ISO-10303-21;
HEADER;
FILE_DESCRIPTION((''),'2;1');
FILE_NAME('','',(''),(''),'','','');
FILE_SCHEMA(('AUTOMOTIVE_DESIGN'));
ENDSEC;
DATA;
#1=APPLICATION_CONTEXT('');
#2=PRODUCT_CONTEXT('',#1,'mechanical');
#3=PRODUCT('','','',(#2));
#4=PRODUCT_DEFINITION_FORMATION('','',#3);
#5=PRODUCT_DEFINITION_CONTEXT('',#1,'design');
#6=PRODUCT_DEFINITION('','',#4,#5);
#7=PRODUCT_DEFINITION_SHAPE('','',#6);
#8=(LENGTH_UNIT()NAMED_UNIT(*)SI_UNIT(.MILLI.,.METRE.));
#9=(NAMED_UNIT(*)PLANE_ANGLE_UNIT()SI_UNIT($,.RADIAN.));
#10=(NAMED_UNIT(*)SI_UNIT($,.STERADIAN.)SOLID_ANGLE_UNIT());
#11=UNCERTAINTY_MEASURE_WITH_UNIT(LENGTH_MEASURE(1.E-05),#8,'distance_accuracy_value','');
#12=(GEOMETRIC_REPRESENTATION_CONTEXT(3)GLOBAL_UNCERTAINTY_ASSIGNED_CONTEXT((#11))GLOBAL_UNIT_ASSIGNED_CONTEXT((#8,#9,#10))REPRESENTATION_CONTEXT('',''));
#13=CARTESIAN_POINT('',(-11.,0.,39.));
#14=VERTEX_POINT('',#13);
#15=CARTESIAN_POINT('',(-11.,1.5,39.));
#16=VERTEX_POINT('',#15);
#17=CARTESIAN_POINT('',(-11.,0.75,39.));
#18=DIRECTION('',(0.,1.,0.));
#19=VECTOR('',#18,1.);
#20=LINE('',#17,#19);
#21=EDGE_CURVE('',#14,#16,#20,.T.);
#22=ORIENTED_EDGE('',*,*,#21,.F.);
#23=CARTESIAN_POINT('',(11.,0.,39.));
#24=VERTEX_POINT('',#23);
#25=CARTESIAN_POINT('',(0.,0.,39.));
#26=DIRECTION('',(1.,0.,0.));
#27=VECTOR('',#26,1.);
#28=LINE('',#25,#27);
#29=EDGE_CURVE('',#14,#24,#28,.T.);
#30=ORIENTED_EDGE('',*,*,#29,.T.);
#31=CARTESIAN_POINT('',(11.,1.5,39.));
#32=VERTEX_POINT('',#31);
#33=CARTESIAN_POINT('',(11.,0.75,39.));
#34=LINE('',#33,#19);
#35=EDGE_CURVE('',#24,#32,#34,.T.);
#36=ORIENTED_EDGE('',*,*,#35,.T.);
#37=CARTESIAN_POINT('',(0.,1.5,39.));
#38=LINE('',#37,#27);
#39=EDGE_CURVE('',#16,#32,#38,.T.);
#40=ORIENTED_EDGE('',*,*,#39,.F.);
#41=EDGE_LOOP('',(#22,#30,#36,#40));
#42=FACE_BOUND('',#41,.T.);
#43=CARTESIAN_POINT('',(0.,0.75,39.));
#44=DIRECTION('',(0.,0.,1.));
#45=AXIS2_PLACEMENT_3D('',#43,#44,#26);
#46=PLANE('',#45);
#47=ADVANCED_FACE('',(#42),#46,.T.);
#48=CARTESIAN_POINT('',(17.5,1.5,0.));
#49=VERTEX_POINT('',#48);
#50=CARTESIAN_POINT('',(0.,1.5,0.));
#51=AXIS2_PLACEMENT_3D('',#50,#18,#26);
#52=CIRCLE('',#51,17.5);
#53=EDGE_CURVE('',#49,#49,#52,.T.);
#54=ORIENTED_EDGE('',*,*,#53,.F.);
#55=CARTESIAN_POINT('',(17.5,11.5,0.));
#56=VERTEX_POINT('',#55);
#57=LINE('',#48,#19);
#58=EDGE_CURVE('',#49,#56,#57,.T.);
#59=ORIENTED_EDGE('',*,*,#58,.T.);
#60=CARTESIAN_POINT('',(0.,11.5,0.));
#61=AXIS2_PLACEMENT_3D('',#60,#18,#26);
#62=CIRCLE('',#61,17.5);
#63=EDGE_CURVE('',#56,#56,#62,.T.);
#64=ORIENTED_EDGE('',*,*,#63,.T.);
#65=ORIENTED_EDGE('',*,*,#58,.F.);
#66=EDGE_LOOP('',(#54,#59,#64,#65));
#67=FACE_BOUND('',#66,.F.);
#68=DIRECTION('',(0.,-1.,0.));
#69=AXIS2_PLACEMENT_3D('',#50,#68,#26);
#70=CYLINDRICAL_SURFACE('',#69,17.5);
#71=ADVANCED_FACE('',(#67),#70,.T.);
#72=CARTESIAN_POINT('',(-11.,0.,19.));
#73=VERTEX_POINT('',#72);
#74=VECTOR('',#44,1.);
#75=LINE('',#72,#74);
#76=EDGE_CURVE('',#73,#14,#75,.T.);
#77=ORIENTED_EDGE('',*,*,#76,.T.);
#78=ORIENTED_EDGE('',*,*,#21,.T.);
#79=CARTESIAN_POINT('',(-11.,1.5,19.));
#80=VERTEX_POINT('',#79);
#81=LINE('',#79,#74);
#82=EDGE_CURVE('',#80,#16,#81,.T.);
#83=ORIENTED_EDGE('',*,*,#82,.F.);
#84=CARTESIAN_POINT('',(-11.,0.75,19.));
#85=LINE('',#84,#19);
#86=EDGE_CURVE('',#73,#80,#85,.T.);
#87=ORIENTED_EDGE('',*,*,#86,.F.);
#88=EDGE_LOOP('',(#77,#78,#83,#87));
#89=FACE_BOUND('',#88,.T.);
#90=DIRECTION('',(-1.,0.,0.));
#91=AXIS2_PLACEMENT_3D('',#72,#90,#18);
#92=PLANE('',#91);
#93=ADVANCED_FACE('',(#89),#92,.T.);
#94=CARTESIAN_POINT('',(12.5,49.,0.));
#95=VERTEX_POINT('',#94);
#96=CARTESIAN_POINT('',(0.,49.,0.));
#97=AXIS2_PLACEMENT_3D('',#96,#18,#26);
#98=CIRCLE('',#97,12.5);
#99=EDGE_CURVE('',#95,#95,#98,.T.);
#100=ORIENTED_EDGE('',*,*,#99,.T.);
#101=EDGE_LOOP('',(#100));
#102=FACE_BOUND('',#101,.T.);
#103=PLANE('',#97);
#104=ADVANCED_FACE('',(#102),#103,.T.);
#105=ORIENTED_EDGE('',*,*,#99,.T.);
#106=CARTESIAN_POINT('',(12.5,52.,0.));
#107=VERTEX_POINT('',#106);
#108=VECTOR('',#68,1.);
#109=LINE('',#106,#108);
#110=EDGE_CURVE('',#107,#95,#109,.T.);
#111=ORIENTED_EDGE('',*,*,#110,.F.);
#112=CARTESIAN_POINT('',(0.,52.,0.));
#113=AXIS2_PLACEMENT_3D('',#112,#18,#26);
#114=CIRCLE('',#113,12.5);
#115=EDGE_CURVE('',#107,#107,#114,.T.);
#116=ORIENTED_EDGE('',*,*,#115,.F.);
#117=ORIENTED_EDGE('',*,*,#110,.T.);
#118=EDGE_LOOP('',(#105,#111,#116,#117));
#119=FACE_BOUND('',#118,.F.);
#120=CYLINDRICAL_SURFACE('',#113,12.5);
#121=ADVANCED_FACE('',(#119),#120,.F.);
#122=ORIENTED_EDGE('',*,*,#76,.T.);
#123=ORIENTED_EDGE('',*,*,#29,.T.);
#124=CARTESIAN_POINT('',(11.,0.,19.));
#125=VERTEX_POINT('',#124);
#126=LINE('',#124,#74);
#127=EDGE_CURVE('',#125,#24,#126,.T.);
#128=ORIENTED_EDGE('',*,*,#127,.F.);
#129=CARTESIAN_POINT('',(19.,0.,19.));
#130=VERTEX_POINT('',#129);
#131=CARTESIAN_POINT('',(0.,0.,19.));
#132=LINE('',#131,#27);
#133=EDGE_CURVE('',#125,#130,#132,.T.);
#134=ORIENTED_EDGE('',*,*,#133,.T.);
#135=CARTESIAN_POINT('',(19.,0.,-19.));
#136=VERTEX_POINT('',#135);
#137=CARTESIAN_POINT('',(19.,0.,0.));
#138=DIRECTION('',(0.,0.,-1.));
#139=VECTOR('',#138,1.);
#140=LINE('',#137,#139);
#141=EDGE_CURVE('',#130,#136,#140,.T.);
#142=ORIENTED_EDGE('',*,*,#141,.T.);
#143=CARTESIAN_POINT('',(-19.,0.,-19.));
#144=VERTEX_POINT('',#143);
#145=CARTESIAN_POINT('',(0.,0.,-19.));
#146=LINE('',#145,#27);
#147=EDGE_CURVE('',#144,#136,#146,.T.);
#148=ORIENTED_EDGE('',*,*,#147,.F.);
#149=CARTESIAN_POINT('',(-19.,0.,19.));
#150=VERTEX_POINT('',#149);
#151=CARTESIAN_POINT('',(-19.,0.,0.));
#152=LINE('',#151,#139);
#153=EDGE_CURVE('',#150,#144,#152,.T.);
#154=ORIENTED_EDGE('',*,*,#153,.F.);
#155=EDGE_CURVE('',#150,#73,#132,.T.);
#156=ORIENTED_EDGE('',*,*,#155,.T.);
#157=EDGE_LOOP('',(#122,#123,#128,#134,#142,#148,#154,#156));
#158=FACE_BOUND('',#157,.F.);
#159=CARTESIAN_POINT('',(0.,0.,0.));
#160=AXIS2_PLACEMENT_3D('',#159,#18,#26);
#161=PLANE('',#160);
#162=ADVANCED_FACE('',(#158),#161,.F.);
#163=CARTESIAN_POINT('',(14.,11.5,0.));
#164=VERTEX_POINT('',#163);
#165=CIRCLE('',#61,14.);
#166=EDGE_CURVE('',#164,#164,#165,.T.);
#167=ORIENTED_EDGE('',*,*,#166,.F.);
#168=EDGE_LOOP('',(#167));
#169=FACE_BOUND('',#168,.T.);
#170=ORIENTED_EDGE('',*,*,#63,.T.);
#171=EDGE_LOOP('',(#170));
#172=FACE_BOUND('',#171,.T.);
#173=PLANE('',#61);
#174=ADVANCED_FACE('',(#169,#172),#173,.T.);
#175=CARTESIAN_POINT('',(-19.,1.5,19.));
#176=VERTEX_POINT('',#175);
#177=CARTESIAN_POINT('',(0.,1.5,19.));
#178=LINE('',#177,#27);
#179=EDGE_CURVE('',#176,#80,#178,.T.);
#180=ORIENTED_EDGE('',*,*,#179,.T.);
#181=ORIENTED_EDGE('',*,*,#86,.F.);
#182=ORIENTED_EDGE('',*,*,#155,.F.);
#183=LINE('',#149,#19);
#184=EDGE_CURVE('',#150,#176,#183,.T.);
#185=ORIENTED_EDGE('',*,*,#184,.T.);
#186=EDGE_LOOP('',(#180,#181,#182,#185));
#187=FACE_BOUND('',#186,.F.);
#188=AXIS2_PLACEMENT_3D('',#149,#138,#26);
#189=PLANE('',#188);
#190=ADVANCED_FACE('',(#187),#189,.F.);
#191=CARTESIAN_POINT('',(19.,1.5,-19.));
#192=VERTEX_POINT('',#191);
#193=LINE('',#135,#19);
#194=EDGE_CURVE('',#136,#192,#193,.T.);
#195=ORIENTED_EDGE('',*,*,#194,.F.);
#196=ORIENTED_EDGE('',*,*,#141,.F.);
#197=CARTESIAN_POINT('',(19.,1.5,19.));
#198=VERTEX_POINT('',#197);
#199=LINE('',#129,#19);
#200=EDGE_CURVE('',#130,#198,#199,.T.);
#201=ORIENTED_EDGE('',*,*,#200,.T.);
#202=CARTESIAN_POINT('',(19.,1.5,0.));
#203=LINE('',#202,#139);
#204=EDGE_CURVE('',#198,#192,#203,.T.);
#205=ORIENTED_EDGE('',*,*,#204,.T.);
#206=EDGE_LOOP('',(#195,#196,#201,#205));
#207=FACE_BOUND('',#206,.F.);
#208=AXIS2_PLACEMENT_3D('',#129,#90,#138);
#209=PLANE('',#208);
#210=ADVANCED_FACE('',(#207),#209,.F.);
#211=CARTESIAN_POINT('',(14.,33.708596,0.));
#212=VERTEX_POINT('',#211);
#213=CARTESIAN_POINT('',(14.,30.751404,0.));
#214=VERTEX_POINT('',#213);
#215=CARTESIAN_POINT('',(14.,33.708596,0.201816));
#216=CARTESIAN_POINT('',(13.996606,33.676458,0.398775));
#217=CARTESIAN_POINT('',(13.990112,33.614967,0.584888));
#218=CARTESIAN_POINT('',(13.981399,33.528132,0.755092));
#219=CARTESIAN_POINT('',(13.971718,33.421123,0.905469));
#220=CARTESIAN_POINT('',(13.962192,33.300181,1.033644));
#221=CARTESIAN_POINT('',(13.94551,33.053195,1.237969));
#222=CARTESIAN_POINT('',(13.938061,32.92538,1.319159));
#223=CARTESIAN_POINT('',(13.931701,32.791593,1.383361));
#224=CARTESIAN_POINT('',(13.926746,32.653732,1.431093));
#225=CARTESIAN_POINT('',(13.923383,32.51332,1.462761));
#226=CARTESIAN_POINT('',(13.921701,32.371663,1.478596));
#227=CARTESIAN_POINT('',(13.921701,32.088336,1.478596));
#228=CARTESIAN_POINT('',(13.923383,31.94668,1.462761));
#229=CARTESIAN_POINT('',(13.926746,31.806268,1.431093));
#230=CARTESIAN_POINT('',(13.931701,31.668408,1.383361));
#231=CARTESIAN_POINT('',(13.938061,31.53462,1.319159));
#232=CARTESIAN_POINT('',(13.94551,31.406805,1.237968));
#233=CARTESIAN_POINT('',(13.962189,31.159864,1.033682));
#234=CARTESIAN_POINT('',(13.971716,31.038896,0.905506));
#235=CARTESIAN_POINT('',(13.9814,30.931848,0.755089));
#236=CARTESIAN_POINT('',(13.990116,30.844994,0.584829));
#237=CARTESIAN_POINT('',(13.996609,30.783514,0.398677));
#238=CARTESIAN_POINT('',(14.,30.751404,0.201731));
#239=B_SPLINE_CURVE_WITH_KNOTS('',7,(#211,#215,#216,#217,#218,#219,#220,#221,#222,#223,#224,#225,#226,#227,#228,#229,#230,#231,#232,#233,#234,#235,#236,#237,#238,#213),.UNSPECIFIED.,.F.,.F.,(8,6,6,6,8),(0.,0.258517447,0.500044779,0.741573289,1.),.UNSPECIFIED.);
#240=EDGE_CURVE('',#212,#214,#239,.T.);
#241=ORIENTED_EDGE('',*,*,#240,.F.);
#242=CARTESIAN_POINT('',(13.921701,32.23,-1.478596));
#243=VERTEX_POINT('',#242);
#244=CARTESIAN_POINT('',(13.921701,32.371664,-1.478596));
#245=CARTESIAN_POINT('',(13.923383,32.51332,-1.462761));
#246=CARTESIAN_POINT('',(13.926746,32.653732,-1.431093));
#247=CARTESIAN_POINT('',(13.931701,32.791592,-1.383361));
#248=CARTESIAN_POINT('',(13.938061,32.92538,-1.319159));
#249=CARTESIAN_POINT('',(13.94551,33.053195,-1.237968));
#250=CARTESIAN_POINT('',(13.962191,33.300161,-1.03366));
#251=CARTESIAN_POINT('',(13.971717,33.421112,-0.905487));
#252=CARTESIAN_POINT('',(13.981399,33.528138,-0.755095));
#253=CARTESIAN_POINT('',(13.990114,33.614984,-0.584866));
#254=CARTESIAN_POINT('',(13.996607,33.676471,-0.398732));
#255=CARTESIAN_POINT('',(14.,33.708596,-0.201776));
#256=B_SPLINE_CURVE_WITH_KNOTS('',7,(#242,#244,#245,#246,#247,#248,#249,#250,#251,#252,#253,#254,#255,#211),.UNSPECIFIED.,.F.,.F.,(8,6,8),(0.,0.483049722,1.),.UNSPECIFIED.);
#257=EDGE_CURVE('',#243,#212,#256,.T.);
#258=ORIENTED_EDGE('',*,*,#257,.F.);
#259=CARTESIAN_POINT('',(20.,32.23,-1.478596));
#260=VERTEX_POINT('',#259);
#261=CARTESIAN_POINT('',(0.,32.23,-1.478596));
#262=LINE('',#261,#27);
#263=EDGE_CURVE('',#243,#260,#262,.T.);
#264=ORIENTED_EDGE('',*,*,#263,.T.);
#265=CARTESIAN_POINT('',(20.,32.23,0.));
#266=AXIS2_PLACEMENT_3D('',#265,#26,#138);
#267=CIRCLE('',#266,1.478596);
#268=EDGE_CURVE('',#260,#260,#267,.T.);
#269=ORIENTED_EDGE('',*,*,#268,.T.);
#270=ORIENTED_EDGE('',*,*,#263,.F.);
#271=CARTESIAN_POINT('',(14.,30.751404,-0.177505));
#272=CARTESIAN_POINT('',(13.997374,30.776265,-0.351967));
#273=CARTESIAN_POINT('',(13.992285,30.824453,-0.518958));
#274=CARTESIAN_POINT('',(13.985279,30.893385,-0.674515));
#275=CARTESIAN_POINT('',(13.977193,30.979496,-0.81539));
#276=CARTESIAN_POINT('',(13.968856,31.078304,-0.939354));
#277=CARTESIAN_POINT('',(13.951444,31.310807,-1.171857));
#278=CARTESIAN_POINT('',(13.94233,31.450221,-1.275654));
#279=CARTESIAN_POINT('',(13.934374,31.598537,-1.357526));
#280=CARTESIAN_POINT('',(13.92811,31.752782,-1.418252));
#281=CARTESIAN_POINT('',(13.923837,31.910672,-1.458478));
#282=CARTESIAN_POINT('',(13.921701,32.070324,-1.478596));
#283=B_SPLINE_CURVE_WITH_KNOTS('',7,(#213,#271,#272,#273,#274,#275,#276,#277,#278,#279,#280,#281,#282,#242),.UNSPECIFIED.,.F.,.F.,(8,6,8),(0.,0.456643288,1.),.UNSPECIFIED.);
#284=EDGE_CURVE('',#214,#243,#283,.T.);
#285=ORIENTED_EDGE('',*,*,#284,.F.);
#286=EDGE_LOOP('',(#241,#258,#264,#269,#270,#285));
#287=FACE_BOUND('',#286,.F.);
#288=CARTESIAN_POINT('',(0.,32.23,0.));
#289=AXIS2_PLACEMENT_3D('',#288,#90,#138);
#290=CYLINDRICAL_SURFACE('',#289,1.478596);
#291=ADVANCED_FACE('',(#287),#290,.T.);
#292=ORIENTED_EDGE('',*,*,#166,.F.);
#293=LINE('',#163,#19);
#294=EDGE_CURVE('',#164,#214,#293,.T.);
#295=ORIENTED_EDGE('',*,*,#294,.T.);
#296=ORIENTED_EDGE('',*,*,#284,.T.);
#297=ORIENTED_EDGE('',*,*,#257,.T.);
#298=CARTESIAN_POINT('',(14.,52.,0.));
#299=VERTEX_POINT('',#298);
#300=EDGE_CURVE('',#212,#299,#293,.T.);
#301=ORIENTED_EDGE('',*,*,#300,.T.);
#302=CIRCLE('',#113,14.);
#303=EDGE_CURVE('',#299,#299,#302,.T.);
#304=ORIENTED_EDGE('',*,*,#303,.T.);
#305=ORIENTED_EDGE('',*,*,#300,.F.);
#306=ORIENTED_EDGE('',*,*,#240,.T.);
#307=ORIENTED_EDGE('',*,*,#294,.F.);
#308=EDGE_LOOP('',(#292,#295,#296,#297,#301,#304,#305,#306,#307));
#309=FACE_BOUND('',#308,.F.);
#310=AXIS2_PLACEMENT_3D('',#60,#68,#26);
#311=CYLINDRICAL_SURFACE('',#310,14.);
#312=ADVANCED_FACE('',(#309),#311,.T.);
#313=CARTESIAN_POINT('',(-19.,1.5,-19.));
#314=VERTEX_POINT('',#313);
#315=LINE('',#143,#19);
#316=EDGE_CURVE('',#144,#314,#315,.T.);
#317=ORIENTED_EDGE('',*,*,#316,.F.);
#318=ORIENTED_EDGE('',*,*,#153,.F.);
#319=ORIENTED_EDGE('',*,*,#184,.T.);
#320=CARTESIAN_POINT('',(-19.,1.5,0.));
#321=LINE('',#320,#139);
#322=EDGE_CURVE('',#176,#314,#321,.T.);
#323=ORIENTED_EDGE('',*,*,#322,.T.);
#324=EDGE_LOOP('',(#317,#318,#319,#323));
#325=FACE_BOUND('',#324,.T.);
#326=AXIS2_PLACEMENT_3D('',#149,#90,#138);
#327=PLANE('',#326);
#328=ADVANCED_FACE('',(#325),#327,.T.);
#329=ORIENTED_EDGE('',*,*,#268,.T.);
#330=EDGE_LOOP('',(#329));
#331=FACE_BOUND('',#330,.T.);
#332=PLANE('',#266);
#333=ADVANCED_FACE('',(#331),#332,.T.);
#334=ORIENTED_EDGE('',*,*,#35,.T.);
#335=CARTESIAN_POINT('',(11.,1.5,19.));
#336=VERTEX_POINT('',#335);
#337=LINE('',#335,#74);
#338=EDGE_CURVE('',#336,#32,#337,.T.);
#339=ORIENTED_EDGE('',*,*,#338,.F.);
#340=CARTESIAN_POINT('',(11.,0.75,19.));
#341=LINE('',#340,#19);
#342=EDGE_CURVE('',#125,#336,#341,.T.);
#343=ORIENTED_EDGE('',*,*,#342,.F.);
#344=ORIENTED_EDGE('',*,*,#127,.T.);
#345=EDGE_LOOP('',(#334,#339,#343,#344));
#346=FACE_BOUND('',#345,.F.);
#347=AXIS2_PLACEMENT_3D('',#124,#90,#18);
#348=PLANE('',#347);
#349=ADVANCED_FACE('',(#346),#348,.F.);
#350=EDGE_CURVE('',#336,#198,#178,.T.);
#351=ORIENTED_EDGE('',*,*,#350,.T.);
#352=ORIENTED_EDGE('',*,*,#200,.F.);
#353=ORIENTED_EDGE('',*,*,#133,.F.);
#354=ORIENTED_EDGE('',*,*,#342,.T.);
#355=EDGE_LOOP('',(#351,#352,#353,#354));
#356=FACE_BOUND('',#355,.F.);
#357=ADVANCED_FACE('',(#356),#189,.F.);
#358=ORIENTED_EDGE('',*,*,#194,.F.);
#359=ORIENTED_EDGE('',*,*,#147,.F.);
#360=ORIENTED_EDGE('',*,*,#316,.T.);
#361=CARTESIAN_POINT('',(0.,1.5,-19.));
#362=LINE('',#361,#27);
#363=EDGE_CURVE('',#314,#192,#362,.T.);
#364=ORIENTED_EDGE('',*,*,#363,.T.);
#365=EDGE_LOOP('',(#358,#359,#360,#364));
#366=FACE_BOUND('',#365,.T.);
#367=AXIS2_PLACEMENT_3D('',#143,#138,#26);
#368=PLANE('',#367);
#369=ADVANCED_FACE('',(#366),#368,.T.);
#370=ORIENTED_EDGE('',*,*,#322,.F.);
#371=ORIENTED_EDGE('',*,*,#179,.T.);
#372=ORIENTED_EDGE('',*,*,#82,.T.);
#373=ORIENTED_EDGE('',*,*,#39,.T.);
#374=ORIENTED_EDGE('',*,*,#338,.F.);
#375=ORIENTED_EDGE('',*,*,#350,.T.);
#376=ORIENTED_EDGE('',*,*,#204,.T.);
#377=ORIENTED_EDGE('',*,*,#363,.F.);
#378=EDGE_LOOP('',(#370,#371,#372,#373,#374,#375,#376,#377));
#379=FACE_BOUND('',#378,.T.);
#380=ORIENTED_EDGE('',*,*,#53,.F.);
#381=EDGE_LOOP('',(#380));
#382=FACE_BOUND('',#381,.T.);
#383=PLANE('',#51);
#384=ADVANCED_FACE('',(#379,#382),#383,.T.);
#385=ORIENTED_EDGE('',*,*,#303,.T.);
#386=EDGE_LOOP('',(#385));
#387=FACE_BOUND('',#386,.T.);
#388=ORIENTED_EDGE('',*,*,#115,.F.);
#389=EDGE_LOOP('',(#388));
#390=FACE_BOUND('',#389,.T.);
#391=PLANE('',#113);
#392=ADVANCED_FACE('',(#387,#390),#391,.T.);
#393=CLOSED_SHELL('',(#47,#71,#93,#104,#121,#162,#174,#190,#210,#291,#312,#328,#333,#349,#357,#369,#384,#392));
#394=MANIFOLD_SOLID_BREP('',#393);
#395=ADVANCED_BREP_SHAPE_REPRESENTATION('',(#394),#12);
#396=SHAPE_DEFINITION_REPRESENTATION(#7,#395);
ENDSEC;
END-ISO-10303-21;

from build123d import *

# Parameters (mm, degrees)
SKETCH1_W           = 38
SKETCH1_H           = 38
BOSS_EXTRUDE1_DEPTH = 1.5
SKETCH2_R           = 17.5
BOSS_EXTRUDE2_DEPTH = 10
SKETCH3_R           = 14
BOSS_EXTRUDE3_DEPTH = 40.5
SKETCH4_R           = 12.5
CUT_EXTRUDE1_DEPTH  = 3
SKETCH5_R           = 1.478595514
BOSS_EXTRUDE4_DEPTH = 20
SKETCH6_W           = 22
SKETCH6_H           = 1.5
BOSS_EXTRUDE5_DEPTH = 20


with BuildPart() as part:
    # Sketch1 → Boss-Extrude1 (new body)
    with BuildSketch(Plane(origin=(0, 0, 0), x_dir=(1, 0, 0), z_dir=(0, 1, 0))):
        Rectangle(SKETCH1_W, SKETCH1_H)
    extrude(amount=BOSS_EXTRUDE1_DEPTH)

    # Sketch2 → Boss-Extrude2 (add)
    with BuildSketch(Plane(origin=(0, 1.5, 0), x_dir=(1, 0, 0), z_dir=(0, 1, 0))):
        Circle(SKETCH2_R)
    extrude(amount=BOSS_EXTRUDE2_DEPTH)

    # Sketch3 → Boss-Extrude3 (add)
    with BuildSketch(Plane(origin=(0, 11.5, 0), x_dir=(1, 0, 0), z_dir=(0, 1, 0))):
        Circle(SKETCH3_R)
    extrude(amount=BOSS_EXTRUDE3_DEPTH)

    # Sketch4 → Cut-Extrude1 (cut)
    with BuildSketch(Plane(origin=(0, 52, 0), x_dir=(1, 0, 0), z_dir=(0, 1, 0))):
        Circle(SKETCH4_R)
    extrude(amount=-CUT_EXTRUDE1_DEPTH, mode=Mode.SUBTRACT)

    # Sketch5 → Boss-Extrude4 (add)
    with BuildSketch(Plane(origin=(0, 0, 0), x_dir=(0, 0, -1), z_dir=(1, 0, 0))):
        with Locations((0, 32.23)):
            Circle(SKETCH5_R)
    extrude(amount=BOSS_EXTRUDE4_DEPTH)

    # Sketch6 → Boss-Extrude5 (add)
    with BuildSketch(Plane.XY.offset(19)):
        with Locations((0, 0.75)):
            Rectangle(SKETCH6_W, SKETCH6_H)
    extrude(amount=BOSS_EXTRUDE5_DEPTH)


solid = part.part
